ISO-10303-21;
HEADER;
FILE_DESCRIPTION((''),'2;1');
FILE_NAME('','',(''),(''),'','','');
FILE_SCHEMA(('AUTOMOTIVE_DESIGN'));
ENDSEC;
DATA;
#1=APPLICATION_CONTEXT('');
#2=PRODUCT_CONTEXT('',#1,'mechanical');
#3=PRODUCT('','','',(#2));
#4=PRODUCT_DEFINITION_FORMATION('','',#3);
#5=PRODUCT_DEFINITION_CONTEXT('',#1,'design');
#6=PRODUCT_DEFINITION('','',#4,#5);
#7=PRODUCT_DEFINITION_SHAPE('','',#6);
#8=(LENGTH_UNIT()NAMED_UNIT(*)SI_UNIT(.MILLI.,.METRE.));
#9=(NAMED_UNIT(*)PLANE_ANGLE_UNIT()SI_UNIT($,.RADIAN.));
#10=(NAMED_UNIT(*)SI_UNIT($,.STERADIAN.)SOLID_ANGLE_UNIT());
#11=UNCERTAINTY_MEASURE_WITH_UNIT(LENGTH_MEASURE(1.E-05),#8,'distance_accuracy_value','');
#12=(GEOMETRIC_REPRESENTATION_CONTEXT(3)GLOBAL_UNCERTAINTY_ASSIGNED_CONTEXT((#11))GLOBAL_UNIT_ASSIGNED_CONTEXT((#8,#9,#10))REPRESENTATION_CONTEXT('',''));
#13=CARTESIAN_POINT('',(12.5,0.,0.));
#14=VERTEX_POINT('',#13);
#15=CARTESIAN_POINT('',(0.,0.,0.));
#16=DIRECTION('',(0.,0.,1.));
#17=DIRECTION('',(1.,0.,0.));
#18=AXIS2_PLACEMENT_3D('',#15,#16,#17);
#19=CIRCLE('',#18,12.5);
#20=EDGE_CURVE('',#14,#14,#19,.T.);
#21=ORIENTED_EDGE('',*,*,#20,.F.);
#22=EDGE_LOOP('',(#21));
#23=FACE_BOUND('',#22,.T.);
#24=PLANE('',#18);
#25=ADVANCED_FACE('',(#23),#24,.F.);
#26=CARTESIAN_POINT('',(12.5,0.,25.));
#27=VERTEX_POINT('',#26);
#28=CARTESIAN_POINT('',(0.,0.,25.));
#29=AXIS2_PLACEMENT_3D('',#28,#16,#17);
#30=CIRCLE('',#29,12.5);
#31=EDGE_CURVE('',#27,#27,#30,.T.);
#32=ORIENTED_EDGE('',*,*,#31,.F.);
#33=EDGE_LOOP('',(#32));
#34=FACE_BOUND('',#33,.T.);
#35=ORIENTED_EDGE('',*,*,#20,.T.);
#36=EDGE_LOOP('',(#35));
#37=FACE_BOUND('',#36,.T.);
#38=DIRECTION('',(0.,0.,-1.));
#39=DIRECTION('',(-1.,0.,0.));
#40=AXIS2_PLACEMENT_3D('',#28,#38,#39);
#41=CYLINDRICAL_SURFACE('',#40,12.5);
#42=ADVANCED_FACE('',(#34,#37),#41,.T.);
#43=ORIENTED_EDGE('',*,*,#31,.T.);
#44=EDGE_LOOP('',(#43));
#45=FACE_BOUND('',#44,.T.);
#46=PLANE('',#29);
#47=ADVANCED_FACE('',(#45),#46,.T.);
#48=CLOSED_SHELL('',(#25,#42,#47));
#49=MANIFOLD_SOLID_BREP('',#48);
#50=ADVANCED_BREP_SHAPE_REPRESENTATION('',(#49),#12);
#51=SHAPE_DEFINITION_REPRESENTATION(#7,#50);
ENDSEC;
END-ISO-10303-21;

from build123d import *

# Parameters (mm, degrees)
SKETCH1_R           = 12.5
BOSS_EXTRUDE1_DEPTH = 25


with BuildPart() as part:
    # Sketch1 → Boss-Extrude1 (new body)
    with BuildSketch(Plane.XY):
        Circle(SKETCH1_R)
    extrude(amount=BOSS_EXTRUDE1_DEPTH)


solid = part.part
